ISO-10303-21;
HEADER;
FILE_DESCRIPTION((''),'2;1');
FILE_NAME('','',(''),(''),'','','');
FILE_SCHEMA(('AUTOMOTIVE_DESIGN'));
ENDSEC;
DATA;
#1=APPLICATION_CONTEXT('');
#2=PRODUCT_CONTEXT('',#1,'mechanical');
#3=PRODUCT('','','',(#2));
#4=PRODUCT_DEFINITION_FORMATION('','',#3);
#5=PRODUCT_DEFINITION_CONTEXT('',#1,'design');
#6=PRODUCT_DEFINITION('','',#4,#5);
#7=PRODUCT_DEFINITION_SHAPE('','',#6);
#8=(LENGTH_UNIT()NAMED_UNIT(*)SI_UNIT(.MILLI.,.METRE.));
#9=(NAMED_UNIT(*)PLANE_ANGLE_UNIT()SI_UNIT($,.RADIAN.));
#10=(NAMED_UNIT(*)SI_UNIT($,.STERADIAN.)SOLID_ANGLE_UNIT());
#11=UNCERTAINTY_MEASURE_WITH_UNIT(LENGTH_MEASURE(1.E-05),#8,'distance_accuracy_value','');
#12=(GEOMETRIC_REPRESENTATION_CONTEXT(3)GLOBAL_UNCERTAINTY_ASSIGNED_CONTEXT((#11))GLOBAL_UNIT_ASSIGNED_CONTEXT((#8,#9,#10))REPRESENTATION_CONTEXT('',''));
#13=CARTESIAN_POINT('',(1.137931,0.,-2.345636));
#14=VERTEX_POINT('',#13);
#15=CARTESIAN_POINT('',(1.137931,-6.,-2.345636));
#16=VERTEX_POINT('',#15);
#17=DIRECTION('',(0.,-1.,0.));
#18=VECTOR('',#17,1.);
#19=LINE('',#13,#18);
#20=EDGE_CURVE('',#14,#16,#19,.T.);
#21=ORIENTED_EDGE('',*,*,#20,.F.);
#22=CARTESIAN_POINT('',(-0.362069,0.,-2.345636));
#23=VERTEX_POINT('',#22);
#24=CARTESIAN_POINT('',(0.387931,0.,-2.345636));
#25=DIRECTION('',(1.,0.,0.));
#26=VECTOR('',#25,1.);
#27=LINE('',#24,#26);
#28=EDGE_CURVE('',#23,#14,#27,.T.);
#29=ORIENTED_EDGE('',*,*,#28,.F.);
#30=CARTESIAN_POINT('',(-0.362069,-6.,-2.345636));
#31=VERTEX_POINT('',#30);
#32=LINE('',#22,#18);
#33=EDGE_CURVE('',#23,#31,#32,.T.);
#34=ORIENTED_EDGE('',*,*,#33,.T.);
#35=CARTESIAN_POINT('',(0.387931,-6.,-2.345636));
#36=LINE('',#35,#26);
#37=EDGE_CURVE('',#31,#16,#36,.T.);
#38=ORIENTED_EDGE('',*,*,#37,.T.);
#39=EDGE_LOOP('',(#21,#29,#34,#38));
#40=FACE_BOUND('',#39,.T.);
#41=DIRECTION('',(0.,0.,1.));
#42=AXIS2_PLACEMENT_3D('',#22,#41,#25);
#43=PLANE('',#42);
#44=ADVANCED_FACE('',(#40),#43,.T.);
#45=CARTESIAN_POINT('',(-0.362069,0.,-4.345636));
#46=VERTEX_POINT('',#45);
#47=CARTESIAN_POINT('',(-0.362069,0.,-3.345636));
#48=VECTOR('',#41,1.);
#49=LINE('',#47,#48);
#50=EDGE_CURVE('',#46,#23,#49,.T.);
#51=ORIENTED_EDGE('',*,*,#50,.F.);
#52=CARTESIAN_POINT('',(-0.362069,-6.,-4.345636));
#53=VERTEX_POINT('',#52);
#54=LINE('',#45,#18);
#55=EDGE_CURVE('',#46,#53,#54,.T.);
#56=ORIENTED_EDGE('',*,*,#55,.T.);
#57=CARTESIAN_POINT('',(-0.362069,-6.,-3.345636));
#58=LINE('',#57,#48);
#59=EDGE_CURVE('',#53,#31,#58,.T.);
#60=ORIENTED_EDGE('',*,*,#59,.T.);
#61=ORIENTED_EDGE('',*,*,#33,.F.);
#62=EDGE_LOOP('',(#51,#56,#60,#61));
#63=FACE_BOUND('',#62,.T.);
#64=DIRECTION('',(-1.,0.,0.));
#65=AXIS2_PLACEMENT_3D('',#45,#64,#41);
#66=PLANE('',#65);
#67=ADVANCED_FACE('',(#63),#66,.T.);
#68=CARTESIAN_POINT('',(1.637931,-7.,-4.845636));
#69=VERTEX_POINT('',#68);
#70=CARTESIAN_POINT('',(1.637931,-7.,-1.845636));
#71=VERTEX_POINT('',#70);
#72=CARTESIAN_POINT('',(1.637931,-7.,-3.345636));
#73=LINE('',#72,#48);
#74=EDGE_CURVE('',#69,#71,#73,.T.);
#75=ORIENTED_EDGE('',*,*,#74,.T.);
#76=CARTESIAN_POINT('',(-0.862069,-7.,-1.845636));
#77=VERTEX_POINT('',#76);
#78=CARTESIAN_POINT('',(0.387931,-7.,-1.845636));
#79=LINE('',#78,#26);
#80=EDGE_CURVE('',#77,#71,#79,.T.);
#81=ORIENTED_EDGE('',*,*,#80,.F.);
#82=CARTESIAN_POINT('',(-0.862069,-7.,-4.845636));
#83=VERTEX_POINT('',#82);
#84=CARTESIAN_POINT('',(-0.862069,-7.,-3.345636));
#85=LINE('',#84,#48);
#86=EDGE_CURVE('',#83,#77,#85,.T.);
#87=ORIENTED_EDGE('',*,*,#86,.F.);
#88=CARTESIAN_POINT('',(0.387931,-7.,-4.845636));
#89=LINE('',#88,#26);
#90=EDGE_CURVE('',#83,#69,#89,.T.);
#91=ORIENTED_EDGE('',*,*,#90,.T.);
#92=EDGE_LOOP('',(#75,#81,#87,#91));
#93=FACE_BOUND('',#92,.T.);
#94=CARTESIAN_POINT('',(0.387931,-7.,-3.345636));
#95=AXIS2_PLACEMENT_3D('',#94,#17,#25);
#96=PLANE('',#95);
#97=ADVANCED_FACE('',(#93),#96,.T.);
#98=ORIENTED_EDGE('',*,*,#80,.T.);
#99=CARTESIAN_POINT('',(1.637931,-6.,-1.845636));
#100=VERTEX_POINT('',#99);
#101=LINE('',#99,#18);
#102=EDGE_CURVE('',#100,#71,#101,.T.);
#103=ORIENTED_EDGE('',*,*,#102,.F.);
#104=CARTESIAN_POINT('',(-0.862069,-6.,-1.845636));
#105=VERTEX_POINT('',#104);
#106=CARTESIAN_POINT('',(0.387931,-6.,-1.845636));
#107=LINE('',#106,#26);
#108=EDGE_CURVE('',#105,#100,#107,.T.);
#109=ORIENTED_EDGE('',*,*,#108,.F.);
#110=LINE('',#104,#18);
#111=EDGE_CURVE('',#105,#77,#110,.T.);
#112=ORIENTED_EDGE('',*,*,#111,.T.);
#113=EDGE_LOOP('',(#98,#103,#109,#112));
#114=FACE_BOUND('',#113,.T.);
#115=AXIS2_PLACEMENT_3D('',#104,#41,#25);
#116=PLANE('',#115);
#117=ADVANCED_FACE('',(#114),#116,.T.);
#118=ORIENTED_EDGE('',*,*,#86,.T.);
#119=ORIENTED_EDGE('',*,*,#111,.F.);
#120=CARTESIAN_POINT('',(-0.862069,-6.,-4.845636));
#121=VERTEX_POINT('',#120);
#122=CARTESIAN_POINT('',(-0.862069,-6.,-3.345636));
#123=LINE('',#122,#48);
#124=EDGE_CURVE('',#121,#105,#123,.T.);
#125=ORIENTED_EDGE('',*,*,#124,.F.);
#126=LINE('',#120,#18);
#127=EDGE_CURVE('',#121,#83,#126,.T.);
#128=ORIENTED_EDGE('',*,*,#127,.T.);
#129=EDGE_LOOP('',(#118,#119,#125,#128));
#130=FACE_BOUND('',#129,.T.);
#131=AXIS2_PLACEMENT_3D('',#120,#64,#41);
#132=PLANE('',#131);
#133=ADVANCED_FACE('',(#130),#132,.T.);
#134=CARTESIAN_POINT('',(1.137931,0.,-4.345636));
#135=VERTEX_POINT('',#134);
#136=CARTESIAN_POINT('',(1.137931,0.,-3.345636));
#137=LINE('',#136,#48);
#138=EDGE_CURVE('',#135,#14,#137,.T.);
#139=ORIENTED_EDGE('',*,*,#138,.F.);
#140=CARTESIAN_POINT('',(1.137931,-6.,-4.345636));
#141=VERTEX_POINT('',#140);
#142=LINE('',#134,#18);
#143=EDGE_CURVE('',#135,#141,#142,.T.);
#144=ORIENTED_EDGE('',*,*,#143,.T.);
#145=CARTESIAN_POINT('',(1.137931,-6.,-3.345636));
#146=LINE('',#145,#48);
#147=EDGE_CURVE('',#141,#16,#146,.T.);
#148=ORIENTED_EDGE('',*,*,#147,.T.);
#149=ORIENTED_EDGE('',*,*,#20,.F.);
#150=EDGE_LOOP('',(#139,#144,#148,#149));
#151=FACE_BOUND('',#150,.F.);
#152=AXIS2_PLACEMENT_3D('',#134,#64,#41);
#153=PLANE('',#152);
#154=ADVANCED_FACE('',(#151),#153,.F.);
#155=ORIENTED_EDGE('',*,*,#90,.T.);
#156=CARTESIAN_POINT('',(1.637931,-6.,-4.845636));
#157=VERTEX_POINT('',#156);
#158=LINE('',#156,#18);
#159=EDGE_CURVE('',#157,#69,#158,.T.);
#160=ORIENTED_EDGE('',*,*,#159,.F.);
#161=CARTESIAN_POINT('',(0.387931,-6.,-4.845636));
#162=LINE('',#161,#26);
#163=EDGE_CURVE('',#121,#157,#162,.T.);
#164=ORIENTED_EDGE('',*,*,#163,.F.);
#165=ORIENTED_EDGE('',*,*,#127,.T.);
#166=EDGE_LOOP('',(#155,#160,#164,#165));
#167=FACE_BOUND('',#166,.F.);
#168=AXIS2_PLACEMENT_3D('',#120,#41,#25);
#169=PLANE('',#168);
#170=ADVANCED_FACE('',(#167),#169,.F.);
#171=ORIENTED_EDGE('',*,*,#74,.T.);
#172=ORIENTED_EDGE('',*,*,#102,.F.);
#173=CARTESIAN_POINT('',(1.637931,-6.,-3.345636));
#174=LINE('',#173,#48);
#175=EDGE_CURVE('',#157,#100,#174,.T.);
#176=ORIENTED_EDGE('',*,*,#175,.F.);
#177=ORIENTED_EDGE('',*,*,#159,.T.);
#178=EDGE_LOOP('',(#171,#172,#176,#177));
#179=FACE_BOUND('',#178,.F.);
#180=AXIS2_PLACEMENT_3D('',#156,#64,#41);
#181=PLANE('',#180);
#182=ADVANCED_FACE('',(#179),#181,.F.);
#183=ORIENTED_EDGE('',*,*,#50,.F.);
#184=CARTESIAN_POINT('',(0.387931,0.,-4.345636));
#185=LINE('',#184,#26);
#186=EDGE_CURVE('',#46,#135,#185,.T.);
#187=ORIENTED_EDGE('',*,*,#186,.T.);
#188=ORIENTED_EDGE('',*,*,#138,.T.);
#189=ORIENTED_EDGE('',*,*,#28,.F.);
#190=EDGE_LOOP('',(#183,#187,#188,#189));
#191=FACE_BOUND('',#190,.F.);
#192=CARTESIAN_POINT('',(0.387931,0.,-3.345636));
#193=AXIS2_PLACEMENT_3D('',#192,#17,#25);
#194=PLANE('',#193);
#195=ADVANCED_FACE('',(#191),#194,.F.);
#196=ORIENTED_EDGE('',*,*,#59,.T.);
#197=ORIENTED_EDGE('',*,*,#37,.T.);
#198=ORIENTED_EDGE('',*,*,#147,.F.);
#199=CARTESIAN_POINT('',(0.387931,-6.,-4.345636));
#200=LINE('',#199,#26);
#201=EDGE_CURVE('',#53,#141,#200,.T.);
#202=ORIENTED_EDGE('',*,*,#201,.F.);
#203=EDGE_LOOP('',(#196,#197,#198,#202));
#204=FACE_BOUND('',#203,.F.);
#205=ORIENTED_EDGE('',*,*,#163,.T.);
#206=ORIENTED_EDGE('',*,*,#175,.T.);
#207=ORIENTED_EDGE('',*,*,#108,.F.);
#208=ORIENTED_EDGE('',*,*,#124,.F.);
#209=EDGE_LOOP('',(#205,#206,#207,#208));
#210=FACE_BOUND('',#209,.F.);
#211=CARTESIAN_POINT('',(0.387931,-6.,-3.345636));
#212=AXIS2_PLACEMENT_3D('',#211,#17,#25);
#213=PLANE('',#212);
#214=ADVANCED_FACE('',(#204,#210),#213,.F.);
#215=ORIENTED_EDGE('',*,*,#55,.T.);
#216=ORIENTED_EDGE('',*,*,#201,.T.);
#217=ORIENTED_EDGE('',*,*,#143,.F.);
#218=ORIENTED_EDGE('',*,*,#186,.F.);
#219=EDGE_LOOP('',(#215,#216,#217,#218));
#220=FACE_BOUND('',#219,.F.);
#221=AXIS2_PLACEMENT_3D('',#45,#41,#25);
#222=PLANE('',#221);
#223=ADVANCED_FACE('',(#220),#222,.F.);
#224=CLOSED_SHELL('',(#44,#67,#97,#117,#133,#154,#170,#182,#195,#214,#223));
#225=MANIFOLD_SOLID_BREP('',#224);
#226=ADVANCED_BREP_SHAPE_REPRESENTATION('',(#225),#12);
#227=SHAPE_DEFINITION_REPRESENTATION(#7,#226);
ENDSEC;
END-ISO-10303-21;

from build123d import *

# Parameters (mm, degrees)
F0_W     = 1.5
F0_H     = 2
F1_DEPTH = 6
F2_W     = 2.5
F2_H     = 3
F3_DEPTH = 1
F4_DEPTH = 1


with BuildPart() as f1:
    # F0 (on Front) → F1 (new body)
    with BuildSketch(Plane.XZ):
        with Locations((0.387931, -3.345636)):
            Rectangle(F0_W, F0_H)
    extrude(amount=F1_DEPTH)

    # F2 (on face) → F3 (join)
    with BuildSketch(Plane.XZ.offset(6)):
        with Locations((0.387931, -3.345636)):
            Rectangle(F2_W, F2_H)
    extrude(amount=F3_DEPTH)

    # F2 (on face) → F4 (join)
    with BuildSketch(Plane.XZ.offset(6)):
        with Locations((0.387931, -3.345636)):
            Rectangle(F2_W, F2_H)
    extrude(amount=F4_DEPTH)


solid = f1.part
